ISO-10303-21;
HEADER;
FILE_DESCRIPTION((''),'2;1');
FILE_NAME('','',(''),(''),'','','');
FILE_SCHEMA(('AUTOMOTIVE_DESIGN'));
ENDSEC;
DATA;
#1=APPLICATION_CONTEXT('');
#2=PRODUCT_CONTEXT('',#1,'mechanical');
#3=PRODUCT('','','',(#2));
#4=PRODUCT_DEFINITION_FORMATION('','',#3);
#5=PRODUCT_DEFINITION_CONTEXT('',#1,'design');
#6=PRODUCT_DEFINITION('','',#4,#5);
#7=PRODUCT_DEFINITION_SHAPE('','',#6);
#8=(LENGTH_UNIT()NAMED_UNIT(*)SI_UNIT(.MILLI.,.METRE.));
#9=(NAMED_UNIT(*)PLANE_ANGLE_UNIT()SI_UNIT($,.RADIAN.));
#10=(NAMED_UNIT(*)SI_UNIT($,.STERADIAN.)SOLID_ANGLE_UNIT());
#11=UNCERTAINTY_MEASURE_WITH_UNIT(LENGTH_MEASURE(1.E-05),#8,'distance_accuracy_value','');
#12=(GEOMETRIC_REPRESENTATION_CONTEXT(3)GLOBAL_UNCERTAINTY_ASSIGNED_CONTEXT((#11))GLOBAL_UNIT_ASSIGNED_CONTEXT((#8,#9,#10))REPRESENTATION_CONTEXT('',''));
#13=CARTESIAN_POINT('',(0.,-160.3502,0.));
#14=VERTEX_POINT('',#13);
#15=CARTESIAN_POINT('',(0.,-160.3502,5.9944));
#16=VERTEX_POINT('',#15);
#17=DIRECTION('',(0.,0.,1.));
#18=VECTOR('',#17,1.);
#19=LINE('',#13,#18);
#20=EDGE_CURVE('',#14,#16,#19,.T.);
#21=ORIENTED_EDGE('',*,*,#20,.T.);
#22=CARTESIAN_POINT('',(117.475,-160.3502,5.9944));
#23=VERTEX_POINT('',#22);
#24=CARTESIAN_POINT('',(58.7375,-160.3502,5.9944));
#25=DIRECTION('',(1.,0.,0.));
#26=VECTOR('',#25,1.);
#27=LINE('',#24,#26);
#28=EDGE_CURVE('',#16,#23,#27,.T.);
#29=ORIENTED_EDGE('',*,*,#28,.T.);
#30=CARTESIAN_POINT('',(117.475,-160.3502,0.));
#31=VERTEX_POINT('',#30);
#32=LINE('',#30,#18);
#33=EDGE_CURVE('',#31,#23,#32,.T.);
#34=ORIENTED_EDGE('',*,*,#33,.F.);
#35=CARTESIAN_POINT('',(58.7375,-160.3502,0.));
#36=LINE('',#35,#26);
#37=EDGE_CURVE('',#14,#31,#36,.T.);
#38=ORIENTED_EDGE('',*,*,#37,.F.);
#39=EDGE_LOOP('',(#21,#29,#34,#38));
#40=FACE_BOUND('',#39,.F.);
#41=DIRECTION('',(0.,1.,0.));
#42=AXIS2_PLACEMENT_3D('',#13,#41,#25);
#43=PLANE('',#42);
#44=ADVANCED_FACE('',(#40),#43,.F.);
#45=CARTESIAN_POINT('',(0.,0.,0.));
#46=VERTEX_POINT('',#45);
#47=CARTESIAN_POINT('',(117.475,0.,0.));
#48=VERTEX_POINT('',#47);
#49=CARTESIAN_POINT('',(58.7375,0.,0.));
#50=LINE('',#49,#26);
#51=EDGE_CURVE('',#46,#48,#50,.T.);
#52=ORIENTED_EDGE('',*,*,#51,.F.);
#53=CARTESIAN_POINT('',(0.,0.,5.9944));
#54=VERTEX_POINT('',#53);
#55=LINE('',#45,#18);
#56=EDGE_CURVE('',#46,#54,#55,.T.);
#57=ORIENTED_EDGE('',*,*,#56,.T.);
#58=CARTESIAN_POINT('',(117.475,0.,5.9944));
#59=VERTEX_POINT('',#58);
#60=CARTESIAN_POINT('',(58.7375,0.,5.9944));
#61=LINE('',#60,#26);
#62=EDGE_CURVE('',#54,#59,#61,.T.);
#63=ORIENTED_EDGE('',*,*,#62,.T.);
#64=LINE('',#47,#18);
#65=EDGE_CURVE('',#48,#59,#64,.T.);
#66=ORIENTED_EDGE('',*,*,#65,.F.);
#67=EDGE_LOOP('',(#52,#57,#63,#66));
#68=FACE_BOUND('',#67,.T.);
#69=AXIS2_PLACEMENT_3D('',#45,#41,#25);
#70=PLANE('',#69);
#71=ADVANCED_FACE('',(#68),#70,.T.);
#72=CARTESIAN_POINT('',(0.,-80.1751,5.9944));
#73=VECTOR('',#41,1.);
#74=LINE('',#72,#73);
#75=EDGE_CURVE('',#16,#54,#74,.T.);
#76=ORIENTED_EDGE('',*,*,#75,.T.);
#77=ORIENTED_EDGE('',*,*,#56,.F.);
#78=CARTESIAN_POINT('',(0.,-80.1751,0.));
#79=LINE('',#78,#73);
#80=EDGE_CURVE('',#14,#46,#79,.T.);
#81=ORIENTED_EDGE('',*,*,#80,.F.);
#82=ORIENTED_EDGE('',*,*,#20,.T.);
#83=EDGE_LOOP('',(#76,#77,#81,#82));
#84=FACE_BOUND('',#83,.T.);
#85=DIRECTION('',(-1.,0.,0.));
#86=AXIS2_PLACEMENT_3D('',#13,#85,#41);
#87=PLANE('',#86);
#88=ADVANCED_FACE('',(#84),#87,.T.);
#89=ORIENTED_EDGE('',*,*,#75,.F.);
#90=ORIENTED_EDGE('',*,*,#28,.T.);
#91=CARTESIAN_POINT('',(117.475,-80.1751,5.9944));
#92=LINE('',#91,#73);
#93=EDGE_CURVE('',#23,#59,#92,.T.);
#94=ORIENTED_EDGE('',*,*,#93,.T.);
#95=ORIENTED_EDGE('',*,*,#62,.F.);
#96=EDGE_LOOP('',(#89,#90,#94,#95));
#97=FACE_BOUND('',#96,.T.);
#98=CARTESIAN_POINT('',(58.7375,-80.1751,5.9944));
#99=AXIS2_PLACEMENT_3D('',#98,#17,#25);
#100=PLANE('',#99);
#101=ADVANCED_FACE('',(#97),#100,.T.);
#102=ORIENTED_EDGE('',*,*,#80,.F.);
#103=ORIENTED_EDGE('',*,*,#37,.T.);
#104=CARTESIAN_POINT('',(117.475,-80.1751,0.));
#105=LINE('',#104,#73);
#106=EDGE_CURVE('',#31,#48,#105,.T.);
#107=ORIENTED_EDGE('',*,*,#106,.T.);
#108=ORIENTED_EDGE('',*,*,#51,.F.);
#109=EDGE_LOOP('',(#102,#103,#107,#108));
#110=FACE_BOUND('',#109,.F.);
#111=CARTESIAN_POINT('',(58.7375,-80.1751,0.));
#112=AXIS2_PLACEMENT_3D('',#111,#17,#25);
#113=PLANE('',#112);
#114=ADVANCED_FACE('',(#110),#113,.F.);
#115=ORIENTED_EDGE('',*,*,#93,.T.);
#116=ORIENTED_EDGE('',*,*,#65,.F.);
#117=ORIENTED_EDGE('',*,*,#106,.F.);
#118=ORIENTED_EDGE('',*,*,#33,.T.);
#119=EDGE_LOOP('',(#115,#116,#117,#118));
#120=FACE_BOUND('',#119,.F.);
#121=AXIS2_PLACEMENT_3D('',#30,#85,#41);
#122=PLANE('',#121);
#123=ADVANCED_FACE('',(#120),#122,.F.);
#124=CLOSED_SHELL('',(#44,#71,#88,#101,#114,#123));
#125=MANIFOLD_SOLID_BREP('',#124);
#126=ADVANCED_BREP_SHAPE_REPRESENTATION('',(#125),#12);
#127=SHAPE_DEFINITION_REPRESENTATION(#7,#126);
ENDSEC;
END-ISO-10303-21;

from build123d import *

# Parameters (mm, degrees)
SKETCH_W      = 117.475
SKETCH_H      = 160.3502
EXTRUDE_DEPTH = 5.9944


with BuildPart() as part:
    # Sketch → Extrude (new body)
    with BuildSketch(Plane.XY):
        with Locations((58.7375, -80.1751)):
            Rectangle(SKETCH_W, SKETCH_H)
    extrude(amount=EXTRUDE_DEPTH)


solid = part.part
